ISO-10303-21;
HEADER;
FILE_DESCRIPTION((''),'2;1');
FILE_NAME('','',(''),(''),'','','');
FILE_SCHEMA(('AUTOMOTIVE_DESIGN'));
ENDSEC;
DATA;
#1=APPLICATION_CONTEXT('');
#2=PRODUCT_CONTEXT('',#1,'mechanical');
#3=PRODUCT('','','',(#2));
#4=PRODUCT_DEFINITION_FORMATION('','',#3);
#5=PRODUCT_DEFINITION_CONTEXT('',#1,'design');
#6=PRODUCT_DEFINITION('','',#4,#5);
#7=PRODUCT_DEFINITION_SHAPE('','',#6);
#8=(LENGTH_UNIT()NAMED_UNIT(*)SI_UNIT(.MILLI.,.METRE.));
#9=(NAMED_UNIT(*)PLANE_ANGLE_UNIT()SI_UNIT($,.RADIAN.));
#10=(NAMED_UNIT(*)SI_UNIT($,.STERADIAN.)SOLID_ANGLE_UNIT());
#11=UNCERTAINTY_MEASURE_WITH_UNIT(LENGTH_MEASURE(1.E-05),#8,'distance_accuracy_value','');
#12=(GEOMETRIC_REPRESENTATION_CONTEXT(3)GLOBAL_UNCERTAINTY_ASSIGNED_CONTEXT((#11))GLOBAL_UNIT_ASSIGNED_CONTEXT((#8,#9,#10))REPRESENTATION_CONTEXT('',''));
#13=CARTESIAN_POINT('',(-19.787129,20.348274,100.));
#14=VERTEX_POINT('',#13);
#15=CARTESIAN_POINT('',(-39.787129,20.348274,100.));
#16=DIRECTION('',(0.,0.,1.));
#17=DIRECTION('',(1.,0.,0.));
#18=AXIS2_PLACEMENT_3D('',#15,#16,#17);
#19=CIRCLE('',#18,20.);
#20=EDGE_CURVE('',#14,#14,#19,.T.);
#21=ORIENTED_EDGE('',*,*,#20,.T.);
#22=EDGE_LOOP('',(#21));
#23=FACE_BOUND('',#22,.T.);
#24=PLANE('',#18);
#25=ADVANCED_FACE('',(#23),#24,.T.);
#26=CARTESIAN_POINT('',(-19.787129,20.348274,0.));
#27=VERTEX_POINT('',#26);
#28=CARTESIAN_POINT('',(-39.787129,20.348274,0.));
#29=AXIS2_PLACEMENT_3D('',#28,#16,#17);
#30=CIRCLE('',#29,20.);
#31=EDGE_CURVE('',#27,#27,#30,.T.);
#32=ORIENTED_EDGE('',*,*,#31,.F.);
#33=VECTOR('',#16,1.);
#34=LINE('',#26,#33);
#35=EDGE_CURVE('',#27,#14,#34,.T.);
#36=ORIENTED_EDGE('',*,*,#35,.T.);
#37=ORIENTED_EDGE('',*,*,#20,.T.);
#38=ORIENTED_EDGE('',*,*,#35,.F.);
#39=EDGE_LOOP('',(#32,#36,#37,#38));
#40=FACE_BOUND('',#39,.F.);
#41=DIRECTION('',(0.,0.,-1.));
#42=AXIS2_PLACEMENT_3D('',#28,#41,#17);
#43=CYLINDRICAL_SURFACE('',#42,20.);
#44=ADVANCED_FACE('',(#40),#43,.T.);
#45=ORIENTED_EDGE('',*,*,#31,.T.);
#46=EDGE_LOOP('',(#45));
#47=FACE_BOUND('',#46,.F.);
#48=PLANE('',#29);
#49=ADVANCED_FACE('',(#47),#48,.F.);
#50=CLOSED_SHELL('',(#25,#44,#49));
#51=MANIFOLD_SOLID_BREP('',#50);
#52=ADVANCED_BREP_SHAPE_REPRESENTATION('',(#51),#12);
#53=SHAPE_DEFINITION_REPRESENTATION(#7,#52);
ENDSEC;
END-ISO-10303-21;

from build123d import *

# Parameters (mm, degrees)
SKETCH1_R           = 20
BOSS_EXTRUDE1_DEPTH = 100


with BuildPart() as part:
    # Sketch1 → Boss-Extrude1 (new body)
    with BuildSketch(Plane.XY):
        with Locations((-39.7871289, 20.348274495)):
            Circle(SKETCH1_R)
    extrude(amount=BOSS_EXTRUDE1_DEPTH)


solid = part.part
